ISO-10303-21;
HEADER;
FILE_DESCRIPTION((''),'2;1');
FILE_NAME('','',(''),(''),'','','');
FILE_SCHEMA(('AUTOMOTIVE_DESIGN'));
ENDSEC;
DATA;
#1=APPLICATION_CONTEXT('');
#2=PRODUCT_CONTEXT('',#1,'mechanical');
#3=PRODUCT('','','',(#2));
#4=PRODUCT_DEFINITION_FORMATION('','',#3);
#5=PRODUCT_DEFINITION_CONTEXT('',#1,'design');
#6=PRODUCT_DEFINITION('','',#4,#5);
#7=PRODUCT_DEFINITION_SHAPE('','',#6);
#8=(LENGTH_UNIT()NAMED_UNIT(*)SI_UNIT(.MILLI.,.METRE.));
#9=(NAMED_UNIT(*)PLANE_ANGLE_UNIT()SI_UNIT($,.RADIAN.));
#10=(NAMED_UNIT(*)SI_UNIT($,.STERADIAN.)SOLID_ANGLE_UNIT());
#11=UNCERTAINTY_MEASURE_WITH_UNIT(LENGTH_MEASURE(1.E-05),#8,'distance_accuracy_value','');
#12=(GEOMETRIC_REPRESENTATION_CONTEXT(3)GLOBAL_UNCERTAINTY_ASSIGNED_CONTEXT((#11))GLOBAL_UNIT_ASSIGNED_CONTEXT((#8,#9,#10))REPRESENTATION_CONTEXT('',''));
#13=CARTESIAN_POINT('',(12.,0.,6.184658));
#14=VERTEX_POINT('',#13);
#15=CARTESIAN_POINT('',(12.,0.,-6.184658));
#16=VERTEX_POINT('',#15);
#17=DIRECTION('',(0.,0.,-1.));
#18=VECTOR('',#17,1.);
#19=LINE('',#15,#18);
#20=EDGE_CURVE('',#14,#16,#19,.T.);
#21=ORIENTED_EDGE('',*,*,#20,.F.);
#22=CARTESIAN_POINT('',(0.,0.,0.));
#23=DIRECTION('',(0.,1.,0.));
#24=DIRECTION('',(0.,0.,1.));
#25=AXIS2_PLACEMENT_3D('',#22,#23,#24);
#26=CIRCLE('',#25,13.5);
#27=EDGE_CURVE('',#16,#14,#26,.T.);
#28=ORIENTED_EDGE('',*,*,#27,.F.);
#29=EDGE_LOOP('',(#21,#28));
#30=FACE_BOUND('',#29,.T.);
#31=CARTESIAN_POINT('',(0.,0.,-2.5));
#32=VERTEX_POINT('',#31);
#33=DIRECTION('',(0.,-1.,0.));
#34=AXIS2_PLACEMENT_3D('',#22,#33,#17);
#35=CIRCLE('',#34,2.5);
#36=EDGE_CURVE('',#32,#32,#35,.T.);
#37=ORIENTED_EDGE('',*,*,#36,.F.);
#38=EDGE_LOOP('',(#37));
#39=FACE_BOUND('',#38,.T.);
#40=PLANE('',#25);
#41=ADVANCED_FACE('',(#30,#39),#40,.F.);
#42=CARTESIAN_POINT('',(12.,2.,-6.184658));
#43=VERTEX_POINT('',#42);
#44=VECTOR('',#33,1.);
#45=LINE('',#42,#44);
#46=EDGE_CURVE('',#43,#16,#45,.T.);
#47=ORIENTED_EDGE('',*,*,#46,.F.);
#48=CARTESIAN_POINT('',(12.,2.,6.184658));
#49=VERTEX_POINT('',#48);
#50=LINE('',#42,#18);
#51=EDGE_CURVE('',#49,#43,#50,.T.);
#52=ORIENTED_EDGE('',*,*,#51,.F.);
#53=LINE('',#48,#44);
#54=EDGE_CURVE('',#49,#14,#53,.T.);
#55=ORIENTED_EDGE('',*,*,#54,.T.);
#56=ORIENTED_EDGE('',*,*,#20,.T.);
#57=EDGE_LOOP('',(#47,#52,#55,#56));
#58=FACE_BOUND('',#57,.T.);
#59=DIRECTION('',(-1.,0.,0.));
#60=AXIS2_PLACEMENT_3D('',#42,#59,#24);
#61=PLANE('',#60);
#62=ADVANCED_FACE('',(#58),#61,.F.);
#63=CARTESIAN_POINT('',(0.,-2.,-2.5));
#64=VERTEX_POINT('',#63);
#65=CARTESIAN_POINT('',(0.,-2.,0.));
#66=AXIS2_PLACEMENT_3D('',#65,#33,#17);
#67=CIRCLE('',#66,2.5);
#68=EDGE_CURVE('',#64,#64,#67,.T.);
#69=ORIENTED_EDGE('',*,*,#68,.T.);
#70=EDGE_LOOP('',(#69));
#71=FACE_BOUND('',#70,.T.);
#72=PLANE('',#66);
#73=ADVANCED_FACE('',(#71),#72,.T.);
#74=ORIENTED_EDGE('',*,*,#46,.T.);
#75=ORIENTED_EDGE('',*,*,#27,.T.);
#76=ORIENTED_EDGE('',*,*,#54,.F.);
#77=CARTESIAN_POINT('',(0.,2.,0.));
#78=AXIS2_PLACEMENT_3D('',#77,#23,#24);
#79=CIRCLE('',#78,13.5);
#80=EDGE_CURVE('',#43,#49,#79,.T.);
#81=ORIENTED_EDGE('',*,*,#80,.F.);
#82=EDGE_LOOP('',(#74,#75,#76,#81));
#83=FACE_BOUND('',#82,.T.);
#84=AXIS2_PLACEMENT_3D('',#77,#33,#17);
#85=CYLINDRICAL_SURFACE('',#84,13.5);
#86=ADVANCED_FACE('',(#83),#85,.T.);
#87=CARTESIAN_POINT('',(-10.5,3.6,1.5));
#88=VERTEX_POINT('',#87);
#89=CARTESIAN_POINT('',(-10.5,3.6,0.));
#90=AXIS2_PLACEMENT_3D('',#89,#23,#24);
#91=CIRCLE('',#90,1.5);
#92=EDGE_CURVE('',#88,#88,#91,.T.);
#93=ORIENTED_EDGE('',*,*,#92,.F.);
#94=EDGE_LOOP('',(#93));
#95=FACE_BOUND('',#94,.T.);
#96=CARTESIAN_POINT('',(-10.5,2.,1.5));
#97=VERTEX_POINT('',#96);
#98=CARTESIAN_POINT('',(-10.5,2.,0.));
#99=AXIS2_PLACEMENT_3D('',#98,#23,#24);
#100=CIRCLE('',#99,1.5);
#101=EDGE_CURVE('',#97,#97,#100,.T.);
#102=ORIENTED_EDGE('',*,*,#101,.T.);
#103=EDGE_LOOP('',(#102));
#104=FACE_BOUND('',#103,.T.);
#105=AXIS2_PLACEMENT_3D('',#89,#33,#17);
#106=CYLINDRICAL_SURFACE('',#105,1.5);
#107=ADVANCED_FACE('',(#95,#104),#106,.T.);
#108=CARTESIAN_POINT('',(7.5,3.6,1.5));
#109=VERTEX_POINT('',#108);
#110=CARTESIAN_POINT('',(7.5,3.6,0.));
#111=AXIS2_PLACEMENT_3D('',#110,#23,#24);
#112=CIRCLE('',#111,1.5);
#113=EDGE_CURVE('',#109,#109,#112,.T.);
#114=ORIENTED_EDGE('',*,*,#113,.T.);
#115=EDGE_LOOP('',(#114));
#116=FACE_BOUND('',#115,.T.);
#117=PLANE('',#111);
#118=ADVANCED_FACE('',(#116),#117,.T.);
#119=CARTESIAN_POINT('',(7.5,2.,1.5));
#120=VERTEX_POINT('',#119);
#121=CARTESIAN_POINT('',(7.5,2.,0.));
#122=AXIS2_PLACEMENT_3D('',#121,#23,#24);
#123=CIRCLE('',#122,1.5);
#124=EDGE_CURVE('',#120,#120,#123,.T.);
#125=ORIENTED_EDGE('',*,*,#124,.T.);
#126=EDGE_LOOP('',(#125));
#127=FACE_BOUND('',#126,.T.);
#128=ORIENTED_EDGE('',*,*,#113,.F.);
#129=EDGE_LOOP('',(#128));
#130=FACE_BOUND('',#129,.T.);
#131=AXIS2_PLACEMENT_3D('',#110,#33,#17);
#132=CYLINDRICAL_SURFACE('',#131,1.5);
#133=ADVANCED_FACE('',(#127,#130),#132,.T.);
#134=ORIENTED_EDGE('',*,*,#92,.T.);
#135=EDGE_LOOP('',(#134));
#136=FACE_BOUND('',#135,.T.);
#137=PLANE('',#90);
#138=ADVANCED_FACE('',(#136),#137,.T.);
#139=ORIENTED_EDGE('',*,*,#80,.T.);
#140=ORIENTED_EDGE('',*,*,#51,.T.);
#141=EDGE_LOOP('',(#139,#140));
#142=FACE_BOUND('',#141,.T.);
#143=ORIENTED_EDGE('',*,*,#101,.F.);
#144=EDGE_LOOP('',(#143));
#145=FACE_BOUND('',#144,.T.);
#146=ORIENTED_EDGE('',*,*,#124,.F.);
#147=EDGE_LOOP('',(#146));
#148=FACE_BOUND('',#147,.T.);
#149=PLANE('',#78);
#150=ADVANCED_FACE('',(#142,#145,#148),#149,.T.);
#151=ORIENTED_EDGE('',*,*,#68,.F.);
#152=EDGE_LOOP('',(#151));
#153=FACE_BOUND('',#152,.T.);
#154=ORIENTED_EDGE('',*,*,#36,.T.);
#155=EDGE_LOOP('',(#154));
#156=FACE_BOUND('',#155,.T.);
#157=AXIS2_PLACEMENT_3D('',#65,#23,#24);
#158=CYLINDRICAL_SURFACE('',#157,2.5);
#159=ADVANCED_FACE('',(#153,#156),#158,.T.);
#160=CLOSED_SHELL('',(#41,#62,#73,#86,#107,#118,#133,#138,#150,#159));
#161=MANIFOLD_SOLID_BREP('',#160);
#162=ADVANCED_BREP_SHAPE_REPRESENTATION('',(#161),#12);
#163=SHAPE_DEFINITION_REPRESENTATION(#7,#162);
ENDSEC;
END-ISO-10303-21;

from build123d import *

# Parameters (mm, degrees)
SALIENTE_EXTRUIR1_DEPTH = 2
CROQUIS3_R              = 1.5
SALIENTE_EXTRUIR2_DEPTH = 1.6
CROQUIS4_R              = 2.5
SALIENTE_EXTRUIR3_DEPTH = 2


with BuildPart() as part:
    # Croquis2 → Saliente-Extruir1 (new body)
    with BuildSketch(Plane(origin=(0, 0, 0), x_dir=(1, 0, 0), z_dir=(0, 1, 0))):
        with BuildLine():
            Line((12, 6.184658438), (12, -6.184658438))
            ThreePointArc((12, -6.184658438), (-13.5, 0), (12, 6.184658438))
        make_face()
    extrude(amount=SALIENTE_EXTRUIR1_DEPTH)

    # Croquis3 → Saliente-Extruir2 (add)
    with BuildSketch(Plane(origin=(0, 2, 0), x_dir=(1, 0, 0), z_dir=(0, 1, 0))):
        with Locations(Location((-10.5, 0, 0), (0, 0, 270))):
            Circle(CROQUIS3_R)
        with Locations(Location((7.5, 0, 0), (0, 0, 270))):
            Circle(CROQUIS3_R)
    extrude(amount=SALIENTE_EXTRUIR2_DEPTH)

    # Croquis4 → Saliente-Extruir3 (add)
    with BuildSketch(Plane.XZ):
        with Locations(Location((0, 0, 0), (0, 0, 270))):
            Circle(CROQUIS4_R)
    extrude(amount=SALIENTE_EXTRUIR3_DEPTH)


solid = part.part
